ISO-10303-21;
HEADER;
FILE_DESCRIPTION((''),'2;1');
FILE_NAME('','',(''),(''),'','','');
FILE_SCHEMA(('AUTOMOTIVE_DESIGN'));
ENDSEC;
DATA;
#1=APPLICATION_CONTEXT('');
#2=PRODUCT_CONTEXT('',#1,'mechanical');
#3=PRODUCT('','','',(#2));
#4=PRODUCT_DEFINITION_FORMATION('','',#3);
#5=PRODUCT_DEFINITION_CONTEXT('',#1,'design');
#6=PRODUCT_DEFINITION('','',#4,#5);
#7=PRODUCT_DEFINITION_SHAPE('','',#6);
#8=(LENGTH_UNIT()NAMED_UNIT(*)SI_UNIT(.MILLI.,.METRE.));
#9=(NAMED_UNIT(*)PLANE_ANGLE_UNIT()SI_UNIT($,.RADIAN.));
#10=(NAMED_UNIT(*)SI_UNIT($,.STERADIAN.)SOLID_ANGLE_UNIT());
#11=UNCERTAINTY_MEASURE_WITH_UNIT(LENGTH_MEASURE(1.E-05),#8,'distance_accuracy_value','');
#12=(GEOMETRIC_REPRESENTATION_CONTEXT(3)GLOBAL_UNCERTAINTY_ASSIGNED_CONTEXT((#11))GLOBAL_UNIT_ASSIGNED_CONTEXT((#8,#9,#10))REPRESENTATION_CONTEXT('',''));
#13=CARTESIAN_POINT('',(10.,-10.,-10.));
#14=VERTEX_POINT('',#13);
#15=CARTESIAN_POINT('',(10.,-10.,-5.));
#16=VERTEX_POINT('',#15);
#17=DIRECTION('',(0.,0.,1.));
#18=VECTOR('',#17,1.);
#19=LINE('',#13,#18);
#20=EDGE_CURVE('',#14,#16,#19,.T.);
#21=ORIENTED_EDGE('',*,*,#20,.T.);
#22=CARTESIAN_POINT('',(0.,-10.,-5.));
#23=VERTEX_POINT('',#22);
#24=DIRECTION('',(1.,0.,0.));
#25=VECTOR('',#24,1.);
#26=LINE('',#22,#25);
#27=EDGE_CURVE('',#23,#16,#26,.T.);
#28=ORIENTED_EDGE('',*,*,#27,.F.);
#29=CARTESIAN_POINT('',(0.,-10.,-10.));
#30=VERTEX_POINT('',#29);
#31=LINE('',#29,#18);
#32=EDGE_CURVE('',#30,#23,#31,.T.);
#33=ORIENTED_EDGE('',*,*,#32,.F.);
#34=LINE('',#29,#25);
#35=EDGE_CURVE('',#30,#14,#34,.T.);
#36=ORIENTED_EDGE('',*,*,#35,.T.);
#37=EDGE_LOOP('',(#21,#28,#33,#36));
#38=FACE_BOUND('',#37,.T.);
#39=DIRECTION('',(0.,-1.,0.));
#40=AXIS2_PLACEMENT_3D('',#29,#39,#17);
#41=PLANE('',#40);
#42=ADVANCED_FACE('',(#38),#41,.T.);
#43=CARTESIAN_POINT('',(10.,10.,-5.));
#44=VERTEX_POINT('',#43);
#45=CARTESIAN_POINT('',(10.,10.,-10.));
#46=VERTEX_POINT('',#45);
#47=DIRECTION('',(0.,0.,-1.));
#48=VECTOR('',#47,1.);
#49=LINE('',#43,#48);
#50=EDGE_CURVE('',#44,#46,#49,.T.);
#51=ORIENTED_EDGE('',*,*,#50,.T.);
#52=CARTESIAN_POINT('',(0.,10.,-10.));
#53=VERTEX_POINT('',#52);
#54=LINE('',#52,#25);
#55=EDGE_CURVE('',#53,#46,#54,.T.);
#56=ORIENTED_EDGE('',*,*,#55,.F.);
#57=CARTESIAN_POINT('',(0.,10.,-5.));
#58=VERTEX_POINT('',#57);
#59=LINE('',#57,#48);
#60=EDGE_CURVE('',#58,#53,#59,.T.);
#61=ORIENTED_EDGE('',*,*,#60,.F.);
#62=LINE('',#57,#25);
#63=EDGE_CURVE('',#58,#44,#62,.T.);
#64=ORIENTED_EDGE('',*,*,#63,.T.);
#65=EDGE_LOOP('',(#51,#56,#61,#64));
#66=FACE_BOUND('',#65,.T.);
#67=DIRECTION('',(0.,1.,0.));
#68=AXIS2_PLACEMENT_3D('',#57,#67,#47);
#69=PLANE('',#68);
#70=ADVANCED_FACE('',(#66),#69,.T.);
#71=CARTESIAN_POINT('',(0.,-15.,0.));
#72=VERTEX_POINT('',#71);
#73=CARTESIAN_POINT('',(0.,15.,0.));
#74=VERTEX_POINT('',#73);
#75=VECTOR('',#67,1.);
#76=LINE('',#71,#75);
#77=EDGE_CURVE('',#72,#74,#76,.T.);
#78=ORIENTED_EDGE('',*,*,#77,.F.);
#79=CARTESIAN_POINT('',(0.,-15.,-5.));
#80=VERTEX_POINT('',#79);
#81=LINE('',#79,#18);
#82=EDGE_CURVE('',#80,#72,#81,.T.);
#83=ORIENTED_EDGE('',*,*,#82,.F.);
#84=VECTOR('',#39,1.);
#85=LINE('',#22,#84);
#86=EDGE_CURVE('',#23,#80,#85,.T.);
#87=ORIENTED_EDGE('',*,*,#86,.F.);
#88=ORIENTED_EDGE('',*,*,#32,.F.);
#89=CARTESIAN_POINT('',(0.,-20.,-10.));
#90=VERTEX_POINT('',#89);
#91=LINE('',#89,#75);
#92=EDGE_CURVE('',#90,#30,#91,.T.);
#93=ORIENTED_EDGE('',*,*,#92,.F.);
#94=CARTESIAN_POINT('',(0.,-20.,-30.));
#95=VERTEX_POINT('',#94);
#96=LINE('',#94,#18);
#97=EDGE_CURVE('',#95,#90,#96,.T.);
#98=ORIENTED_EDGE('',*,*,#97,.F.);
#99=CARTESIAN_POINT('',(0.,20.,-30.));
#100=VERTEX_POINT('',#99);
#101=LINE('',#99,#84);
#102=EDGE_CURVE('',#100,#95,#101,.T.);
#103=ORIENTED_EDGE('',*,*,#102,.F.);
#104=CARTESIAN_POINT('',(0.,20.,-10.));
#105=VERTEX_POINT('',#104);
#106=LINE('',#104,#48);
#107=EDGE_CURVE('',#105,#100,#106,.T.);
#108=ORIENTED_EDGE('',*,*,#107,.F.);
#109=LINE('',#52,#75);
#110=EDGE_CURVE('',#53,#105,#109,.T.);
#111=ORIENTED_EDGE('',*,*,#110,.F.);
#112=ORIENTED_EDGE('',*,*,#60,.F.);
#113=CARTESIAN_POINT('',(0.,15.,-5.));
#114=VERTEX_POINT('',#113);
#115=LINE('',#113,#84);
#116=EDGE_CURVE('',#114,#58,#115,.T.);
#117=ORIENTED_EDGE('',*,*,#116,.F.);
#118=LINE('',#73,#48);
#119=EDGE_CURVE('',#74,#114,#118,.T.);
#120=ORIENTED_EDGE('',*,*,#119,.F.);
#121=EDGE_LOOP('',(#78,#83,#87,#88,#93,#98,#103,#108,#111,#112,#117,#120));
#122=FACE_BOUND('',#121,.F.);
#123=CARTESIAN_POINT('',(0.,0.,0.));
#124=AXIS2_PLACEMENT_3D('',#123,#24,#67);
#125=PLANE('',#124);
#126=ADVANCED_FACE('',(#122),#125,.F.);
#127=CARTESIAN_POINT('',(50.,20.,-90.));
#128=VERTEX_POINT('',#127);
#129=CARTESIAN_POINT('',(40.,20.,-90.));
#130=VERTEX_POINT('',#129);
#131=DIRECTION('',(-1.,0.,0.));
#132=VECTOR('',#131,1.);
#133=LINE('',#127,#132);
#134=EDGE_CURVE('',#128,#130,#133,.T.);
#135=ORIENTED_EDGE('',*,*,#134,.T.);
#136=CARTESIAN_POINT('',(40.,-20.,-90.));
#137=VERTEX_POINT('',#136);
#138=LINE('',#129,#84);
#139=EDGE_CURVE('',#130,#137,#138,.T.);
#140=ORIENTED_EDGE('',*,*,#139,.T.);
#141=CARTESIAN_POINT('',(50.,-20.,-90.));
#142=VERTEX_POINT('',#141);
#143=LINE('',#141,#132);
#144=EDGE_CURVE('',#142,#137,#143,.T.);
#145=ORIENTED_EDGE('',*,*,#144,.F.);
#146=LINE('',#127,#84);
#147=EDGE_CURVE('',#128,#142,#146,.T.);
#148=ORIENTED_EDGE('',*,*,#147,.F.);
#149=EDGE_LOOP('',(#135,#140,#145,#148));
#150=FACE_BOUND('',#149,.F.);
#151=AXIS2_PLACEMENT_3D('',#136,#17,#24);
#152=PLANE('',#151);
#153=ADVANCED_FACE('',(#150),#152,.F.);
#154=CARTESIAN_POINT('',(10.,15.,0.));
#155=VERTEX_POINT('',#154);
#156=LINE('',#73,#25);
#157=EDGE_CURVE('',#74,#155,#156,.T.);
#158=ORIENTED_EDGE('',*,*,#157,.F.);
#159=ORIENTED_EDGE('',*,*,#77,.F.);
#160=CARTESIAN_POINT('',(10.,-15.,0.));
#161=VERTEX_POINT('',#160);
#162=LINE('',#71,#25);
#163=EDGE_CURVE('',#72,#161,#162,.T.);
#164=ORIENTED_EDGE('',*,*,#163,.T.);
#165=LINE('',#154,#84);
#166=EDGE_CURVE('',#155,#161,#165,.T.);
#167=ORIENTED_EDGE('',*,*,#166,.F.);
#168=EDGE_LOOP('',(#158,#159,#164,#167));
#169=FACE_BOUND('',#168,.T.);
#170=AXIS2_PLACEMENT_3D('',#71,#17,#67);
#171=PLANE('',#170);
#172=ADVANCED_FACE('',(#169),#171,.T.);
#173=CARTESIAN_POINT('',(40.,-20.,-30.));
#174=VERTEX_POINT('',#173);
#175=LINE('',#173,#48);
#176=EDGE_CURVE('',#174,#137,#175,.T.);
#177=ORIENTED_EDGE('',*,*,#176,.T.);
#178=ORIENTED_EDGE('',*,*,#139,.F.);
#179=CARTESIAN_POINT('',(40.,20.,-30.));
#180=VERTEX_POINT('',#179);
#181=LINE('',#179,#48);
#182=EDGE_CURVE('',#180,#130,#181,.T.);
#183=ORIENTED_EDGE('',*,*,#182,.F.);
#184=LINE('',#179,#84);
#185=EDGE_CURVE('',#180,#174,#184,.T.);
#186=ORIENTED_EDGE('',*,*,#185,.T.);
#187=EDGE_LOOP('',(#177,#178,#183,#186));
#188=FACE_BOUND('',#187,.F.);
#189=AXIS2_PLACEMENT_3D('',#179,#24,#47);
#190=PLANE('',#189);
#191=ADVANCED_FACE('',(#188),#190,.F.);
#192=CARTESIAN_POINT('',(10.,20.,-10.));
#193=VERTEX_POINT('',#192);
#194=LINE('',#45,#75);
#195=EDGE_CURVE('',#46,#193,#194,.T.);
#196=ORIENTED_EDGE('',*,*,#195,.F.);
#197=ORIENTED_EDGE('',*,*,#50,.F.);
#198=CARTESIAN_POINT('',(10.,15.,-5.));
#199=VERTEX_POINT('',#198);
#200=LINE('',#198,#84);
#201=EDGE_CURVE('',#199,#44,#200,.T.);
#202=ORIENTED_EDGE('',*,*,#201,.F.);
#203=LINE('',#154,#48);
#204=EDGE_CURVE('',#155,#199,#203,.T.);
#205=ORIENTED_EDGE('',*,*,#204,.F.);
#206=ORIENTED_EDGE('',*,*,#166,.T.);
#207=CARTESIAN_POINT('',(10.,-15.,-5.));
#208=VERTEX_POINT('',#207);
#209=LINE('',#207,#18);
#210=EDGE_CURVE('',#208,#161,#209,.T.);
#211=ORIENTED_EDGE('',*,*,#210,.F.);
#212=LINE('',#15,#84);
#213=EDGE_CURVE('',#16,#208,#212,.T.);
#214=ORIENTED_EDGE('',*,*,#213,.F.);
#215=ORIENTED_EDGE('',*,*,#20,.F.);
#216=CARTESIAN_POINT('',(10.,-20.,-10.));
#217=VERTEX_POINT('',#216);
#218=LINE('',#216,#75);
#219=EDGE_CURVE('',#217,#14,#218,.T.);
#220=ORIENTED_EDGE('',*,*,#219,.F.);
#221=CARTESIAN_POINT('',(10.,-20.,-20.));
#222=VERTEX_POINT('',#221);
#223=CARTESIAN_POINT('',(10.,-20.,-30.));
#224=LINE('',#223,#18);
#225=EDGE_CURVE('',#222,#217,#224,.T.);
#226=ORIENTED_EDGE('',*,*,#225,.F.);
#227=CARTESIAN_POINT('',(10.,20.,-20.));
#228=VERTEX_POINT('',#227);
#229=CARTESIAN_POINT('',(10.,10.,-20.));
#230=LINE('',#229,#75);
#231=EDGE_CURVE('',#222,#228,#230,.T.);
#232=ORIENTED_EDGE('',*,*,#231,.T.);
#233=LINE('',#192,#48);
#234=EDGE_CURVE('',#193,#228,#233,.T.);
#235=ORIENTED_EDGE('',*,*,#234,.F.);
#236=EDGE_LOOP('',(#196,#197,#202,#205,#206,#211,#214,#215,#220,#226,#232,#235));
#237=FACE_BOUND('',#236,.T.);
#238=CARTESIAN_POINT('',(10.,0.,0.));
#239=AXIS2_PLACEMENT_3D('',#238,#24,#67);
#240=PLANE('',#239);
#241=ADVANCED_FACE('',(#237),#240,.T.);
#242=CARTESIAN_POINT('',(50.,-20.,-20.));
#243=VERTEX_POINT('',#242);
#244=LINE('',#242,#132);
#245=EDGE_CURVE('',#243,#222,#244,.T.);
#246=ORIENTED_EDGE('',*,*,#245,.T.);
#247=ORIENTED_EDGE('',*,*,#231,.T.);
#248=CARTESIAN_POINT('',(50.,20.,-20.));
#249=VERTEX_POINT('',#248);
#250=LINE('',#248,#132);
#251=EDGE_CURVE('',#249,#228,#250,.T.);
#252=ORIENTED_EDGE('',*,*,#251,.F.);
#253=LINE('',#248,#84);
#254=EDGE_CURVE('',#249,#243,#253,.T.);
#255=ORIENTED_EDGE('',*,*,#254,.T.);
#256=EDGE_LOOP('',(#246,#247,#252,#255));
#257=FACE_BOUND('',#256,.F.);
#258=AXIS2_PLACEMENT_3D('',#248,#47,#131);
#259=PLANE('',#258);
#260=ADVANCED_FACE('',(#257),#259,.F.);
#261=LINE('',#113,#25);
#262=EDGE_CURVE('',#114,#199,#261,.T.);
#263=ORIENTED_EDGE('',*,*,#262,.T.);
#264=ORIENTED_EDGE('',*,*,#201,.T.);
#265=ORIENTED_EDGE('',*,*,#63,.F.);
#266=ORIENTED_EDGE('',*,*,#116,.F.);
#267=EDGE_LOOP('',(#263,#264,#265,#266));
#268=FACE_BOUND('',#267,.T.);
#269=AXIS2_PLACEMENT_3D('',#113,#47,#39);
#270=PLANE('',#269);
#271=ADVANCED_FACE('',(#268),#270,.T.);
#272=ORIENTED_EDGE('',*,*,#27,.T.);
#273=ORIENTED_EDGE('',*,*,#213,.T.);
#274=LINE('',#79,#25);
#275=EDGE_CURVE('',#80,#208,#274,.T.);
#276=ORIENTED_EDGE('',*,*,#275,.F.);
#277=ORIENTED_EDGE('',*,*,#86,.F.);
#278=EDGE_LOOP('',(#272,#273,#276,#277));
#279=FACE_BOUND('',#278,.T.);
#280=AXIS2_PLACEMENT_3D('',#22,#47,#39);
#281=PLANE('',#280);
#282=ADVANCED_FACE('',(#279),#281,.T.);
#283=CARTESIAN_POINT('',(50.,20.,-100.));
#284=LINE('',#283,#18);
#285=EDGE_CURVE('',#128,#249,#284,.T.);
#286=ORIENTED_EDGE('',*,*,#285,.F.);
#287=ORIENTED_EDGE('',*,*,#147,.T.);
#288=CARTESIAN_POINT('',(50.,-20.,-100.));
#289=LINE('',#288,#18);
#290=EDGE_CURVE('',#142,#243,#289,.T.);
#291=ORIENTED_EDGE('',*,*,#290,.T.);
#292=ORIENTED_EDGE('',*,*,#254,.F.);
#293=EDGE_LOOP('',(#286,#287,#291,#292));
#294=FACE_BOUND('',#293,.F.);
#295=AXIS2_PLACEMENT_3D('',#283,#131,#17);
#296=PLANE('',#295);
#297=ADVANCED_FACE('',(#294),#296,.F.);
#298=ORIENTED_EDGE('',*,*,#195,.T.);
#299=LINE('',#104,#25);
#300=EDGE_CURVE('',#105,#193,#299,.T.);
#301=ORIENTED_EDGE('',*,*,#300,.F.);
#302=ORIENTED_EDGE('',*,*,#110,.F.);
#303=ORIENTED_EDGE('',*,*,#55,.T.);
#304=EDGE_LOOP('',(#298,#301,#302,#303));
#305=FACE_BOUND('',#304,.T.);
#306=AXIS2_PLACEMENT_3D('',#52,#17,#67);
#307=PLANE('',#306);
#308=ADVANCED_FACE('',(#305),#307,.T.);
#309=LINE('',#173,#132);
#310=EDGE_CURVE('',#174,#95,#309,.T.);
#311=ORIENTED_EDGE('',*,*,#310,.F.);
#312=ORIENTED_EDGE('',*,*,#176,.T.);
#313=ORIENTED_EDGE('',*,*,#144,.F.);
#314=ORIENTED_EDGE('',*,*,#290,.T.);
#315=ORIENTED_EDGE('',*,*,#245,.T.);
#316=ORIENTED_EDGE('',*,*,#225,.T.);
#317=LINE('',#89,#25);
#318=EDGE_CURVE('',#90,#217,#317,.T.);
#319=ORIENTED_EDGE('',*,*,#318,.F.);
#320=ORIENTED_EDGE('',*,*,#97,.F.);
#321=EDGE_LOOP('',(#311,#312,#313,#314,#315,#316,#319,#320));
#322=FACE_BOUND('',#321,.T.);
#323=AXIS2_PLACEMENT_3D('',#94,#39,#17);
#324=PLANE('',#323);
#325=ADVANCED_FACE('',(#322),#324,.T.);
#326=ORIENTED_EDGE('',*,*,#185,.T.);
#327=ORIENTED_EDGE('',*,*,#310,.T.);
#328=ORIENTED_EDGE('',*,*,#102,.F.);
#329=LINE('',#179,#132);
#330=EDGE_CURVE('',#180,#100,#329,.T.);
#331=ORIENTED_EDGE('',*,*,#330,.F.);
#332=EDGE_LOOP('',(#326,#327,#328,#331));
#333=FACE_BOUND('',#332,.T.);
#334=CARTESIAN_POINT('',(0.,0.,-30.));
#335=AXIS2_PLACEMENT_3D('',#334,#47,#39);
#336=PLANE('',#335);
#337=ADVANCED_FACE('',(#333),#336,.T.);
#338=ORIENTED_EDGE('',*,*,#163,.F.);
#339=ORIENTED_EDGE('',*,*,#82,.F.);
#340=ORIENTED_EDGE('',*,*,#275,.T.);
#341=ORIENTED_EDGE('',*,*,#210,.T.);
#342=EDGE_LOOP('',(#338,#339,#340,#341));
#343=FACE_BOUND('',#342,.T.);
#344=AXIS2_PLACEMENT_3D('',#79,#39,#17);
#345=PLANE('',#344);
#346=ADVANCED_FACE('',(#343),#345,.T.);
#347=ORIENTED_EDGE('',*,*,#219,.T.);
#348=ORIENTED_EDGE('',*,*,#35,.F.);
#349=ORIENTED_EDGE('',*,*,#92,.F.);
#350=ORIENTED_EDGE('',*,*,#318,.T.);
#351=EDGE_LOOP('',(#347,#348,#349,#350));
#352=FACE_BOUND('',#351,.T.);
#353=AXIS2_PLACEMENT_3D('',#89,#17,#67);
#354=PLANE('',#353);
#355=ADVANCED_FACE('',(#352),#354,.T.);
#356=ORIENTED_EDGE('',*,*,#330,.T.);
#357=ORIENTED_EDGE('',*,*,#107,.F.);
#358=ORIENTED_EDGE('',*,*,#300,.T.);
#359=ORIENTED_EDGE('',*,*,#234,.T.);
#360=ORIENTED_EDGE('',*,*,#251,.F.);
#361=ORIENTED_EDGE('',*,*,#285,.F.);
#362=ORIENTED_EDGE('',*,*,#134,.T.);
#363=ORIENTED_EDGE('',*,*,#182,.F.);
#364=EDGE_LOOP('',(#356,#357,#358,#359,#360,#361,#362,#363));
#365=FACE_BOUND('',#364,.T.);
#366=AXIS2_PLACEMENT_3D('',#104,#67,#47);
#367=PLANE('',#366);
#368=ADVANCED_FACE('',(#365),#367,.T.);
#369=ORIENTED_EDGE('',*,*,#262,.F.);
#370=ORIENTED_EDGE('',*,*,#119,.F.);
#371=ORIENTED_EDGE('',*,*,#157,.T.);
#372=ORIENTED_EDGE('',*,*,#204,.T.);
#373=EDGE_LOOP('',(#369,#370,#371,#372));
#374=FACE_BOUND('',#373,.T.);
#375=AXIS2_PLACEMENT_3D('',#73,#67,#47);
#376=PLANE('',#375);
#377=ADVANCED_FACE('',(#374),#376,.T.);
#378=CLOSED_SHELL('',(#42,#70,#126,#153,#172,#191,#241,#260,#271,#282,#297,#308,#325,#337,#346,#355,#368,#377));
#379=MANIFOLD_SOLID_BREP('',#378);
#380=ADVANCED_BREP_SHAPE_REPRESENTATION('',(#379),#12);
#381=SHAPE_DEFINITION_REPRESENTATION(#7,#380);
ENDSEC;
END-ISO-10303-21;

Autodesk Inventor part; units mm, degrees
ref_plane "YZ Plane" through (0, 0, 0) normal (1, 0, 0) x (0, 1, 0)
ref_plane "XZ Plane" through (0, 0, 0) normal (0, 1, 0) x (-1, 0, 0)
ref_plane "XY Plane" through (0, 0, 0) normal (0, 0, 1) x (1, 0, 0)
sketch "Skizze1" plane through (0, 0, 0) normal (1, 0, 0) x (0, 1, 0)
  line L0 (-10, -10) -> (-10, -5)
  line L1 (-10, -5) -> (-15, -5)
  line L2 (-15, -5) -> (-15, 0)
  line L3 (-15, 0) -> (15, 0)
  line L4 (15, 0) -> (15, -5)
  line L5 (15, -5) -> (10, -5)
  line L6 (10, -5) -> (10, -10)
  line L7 (10, -10) -> (20, -10)
  line L8 (20, -10) -> (20, -30)
  line L9 (20, -30) -> (-20, -30)
  line L10 (-20, -30) -> (-20, -10)
  line L11 (-20, -10) -> (-10, -10)
  line L12 (0, -36) -> (0, 6) projected
  point P0 (0, 0)
  dimension "d0" = 30
  dimension "d1" = 20
  dimension "d2" = 5
  dimension "d3" = 5
  dimension "d4" = 20
  dimension "d5" = 90
  dimension "d6" = 40
extrude "Extrusion1" add sketch "Skizze1" along normal blind 10
sketch "Skizze3" plane through (0, 20, -10) normal (0, 1, 0) x (1, 0, 0)
  line L0 (0, 0) -> (0, 20) projected
  line L1 (0, 20) -> (40, 20)
  line L2 (40, 20) -> (40, 80)
  line L3 (40, 80) -> (-10, 80)
  line L4 (-10, 80) -> (-10, 90)
  line L5 (-10, 90) -> (50, 90)
  line L6 (50, 90) -> (50, 10)
  line L7 (50, 10) -> (0, 10)
  point P0 (0, -10)
  dimension "d12" = 10
  dimension "d13" = 10
  dimension "d14" = 10
  dimension "d15" = 60
  dimension "d16" = 50
  dimension "d17" = 60
extrude "Extrusion3" add sketch "Skizze3" against normal up to surface (40 mm away)
sketch "Skizze4" plane through (50, 20, -100) normal (0, 0, -1) x (-1, 0, 0)
  arc A0 (53.3975, 30) -> (53.3975, -70) centre (140, -20) ccw
  arc A1 (62.0577, 25) -> (62.0577, -65) centre (140, -20) ccw
  line L0 (140, -20) -> (53.3975, -70)
  line L1 (140, -20) -> (53.3975, 30)
  line L2 (0, -40) -> (60, -40) projected
  line L3 (0, 0) -> (60, 0) projected
  line L4 (0, 0) -> (0, -40) projected
  point P0 (40, -20)
  point P1 (42.0204, 0)
  point P2 (52.2504, 0)
  point P3 (52.2504, -40)
  point P4 (42.0204, -40)
  dimension "d20" = 200
  dimension "d21" = 180
  dimension "d22" = 30
  dimension "d23" = 30
  dimension "d24" = 40
  dimension "d25" = 20
  dimension "d30" = 140
extrude "Extrusion4" add sketch "Skizze4" against normal up to surface (10 mm away) contours L1 A1 L3 A0 | L2 A1 L0 A0
sketch "Skizze5" plane through (40, -20, -90) normal (0, 0, 1) x (1, 0, 0)
  arc A0 (-42.2504, 40) -> (-52.0577, 65) centre (-130, 20) ccw projected
  circle A1 centre (-130, 20) radius 90
  point P0 (-40, 20)
  point P1 (-52.0577, 65)
  point P2 (-42.2504, 40)
extrude "Extrusion5" cut sketch "Skizze5" against normal up to surface (10 mm away)
sketch "Skizze6" plane through (40, -20, -90) normal (0, 0, 1) x (1, 0, 0)
  line L0 (-30, 0) -> (-30, 40) projected
  line L1 (-30, 0) -> (10, 0) projected
  line L2 (10, 40) -> (10, 0) projected
  line L3 (-30, 40) -> (10, 40) projected
  arc A0 (-52.0577, -25) -> (-52.0577, 65) centre (-130, 20) ccw projected
  line L4 (-43.3975, -30) -> (-52.0577, -25) projected
  arc A1 (-43.3975, -30) -> (-32.0204, 0) centre (-130, 20) ccw projected
  line L5 (-32.0204, 0) -> (0, 0) projected
  line L6 (0, 40) -> (0, 0) projected
  line L7 (-32.0204, 40) -> (0, 40) projected
  arc A2 (-32.0204, 40) -> (-43.3975, 70) centre (-130, 20) ccw projected
  line L8 (-52.0577, 65) -> (-43.3975, 70) projected
  point P0 (-40, 20)
  point P1 (-30, 0)
  point P2 (-30, 40)
extrude "Extrusion6" cut sketch "Skizze6" against normal through all
equation "\"d13\" = d12"
equation "\"d23\" = d22"
equation "\"d25\" = 0.5 * d24"
properties part number "Finger"
